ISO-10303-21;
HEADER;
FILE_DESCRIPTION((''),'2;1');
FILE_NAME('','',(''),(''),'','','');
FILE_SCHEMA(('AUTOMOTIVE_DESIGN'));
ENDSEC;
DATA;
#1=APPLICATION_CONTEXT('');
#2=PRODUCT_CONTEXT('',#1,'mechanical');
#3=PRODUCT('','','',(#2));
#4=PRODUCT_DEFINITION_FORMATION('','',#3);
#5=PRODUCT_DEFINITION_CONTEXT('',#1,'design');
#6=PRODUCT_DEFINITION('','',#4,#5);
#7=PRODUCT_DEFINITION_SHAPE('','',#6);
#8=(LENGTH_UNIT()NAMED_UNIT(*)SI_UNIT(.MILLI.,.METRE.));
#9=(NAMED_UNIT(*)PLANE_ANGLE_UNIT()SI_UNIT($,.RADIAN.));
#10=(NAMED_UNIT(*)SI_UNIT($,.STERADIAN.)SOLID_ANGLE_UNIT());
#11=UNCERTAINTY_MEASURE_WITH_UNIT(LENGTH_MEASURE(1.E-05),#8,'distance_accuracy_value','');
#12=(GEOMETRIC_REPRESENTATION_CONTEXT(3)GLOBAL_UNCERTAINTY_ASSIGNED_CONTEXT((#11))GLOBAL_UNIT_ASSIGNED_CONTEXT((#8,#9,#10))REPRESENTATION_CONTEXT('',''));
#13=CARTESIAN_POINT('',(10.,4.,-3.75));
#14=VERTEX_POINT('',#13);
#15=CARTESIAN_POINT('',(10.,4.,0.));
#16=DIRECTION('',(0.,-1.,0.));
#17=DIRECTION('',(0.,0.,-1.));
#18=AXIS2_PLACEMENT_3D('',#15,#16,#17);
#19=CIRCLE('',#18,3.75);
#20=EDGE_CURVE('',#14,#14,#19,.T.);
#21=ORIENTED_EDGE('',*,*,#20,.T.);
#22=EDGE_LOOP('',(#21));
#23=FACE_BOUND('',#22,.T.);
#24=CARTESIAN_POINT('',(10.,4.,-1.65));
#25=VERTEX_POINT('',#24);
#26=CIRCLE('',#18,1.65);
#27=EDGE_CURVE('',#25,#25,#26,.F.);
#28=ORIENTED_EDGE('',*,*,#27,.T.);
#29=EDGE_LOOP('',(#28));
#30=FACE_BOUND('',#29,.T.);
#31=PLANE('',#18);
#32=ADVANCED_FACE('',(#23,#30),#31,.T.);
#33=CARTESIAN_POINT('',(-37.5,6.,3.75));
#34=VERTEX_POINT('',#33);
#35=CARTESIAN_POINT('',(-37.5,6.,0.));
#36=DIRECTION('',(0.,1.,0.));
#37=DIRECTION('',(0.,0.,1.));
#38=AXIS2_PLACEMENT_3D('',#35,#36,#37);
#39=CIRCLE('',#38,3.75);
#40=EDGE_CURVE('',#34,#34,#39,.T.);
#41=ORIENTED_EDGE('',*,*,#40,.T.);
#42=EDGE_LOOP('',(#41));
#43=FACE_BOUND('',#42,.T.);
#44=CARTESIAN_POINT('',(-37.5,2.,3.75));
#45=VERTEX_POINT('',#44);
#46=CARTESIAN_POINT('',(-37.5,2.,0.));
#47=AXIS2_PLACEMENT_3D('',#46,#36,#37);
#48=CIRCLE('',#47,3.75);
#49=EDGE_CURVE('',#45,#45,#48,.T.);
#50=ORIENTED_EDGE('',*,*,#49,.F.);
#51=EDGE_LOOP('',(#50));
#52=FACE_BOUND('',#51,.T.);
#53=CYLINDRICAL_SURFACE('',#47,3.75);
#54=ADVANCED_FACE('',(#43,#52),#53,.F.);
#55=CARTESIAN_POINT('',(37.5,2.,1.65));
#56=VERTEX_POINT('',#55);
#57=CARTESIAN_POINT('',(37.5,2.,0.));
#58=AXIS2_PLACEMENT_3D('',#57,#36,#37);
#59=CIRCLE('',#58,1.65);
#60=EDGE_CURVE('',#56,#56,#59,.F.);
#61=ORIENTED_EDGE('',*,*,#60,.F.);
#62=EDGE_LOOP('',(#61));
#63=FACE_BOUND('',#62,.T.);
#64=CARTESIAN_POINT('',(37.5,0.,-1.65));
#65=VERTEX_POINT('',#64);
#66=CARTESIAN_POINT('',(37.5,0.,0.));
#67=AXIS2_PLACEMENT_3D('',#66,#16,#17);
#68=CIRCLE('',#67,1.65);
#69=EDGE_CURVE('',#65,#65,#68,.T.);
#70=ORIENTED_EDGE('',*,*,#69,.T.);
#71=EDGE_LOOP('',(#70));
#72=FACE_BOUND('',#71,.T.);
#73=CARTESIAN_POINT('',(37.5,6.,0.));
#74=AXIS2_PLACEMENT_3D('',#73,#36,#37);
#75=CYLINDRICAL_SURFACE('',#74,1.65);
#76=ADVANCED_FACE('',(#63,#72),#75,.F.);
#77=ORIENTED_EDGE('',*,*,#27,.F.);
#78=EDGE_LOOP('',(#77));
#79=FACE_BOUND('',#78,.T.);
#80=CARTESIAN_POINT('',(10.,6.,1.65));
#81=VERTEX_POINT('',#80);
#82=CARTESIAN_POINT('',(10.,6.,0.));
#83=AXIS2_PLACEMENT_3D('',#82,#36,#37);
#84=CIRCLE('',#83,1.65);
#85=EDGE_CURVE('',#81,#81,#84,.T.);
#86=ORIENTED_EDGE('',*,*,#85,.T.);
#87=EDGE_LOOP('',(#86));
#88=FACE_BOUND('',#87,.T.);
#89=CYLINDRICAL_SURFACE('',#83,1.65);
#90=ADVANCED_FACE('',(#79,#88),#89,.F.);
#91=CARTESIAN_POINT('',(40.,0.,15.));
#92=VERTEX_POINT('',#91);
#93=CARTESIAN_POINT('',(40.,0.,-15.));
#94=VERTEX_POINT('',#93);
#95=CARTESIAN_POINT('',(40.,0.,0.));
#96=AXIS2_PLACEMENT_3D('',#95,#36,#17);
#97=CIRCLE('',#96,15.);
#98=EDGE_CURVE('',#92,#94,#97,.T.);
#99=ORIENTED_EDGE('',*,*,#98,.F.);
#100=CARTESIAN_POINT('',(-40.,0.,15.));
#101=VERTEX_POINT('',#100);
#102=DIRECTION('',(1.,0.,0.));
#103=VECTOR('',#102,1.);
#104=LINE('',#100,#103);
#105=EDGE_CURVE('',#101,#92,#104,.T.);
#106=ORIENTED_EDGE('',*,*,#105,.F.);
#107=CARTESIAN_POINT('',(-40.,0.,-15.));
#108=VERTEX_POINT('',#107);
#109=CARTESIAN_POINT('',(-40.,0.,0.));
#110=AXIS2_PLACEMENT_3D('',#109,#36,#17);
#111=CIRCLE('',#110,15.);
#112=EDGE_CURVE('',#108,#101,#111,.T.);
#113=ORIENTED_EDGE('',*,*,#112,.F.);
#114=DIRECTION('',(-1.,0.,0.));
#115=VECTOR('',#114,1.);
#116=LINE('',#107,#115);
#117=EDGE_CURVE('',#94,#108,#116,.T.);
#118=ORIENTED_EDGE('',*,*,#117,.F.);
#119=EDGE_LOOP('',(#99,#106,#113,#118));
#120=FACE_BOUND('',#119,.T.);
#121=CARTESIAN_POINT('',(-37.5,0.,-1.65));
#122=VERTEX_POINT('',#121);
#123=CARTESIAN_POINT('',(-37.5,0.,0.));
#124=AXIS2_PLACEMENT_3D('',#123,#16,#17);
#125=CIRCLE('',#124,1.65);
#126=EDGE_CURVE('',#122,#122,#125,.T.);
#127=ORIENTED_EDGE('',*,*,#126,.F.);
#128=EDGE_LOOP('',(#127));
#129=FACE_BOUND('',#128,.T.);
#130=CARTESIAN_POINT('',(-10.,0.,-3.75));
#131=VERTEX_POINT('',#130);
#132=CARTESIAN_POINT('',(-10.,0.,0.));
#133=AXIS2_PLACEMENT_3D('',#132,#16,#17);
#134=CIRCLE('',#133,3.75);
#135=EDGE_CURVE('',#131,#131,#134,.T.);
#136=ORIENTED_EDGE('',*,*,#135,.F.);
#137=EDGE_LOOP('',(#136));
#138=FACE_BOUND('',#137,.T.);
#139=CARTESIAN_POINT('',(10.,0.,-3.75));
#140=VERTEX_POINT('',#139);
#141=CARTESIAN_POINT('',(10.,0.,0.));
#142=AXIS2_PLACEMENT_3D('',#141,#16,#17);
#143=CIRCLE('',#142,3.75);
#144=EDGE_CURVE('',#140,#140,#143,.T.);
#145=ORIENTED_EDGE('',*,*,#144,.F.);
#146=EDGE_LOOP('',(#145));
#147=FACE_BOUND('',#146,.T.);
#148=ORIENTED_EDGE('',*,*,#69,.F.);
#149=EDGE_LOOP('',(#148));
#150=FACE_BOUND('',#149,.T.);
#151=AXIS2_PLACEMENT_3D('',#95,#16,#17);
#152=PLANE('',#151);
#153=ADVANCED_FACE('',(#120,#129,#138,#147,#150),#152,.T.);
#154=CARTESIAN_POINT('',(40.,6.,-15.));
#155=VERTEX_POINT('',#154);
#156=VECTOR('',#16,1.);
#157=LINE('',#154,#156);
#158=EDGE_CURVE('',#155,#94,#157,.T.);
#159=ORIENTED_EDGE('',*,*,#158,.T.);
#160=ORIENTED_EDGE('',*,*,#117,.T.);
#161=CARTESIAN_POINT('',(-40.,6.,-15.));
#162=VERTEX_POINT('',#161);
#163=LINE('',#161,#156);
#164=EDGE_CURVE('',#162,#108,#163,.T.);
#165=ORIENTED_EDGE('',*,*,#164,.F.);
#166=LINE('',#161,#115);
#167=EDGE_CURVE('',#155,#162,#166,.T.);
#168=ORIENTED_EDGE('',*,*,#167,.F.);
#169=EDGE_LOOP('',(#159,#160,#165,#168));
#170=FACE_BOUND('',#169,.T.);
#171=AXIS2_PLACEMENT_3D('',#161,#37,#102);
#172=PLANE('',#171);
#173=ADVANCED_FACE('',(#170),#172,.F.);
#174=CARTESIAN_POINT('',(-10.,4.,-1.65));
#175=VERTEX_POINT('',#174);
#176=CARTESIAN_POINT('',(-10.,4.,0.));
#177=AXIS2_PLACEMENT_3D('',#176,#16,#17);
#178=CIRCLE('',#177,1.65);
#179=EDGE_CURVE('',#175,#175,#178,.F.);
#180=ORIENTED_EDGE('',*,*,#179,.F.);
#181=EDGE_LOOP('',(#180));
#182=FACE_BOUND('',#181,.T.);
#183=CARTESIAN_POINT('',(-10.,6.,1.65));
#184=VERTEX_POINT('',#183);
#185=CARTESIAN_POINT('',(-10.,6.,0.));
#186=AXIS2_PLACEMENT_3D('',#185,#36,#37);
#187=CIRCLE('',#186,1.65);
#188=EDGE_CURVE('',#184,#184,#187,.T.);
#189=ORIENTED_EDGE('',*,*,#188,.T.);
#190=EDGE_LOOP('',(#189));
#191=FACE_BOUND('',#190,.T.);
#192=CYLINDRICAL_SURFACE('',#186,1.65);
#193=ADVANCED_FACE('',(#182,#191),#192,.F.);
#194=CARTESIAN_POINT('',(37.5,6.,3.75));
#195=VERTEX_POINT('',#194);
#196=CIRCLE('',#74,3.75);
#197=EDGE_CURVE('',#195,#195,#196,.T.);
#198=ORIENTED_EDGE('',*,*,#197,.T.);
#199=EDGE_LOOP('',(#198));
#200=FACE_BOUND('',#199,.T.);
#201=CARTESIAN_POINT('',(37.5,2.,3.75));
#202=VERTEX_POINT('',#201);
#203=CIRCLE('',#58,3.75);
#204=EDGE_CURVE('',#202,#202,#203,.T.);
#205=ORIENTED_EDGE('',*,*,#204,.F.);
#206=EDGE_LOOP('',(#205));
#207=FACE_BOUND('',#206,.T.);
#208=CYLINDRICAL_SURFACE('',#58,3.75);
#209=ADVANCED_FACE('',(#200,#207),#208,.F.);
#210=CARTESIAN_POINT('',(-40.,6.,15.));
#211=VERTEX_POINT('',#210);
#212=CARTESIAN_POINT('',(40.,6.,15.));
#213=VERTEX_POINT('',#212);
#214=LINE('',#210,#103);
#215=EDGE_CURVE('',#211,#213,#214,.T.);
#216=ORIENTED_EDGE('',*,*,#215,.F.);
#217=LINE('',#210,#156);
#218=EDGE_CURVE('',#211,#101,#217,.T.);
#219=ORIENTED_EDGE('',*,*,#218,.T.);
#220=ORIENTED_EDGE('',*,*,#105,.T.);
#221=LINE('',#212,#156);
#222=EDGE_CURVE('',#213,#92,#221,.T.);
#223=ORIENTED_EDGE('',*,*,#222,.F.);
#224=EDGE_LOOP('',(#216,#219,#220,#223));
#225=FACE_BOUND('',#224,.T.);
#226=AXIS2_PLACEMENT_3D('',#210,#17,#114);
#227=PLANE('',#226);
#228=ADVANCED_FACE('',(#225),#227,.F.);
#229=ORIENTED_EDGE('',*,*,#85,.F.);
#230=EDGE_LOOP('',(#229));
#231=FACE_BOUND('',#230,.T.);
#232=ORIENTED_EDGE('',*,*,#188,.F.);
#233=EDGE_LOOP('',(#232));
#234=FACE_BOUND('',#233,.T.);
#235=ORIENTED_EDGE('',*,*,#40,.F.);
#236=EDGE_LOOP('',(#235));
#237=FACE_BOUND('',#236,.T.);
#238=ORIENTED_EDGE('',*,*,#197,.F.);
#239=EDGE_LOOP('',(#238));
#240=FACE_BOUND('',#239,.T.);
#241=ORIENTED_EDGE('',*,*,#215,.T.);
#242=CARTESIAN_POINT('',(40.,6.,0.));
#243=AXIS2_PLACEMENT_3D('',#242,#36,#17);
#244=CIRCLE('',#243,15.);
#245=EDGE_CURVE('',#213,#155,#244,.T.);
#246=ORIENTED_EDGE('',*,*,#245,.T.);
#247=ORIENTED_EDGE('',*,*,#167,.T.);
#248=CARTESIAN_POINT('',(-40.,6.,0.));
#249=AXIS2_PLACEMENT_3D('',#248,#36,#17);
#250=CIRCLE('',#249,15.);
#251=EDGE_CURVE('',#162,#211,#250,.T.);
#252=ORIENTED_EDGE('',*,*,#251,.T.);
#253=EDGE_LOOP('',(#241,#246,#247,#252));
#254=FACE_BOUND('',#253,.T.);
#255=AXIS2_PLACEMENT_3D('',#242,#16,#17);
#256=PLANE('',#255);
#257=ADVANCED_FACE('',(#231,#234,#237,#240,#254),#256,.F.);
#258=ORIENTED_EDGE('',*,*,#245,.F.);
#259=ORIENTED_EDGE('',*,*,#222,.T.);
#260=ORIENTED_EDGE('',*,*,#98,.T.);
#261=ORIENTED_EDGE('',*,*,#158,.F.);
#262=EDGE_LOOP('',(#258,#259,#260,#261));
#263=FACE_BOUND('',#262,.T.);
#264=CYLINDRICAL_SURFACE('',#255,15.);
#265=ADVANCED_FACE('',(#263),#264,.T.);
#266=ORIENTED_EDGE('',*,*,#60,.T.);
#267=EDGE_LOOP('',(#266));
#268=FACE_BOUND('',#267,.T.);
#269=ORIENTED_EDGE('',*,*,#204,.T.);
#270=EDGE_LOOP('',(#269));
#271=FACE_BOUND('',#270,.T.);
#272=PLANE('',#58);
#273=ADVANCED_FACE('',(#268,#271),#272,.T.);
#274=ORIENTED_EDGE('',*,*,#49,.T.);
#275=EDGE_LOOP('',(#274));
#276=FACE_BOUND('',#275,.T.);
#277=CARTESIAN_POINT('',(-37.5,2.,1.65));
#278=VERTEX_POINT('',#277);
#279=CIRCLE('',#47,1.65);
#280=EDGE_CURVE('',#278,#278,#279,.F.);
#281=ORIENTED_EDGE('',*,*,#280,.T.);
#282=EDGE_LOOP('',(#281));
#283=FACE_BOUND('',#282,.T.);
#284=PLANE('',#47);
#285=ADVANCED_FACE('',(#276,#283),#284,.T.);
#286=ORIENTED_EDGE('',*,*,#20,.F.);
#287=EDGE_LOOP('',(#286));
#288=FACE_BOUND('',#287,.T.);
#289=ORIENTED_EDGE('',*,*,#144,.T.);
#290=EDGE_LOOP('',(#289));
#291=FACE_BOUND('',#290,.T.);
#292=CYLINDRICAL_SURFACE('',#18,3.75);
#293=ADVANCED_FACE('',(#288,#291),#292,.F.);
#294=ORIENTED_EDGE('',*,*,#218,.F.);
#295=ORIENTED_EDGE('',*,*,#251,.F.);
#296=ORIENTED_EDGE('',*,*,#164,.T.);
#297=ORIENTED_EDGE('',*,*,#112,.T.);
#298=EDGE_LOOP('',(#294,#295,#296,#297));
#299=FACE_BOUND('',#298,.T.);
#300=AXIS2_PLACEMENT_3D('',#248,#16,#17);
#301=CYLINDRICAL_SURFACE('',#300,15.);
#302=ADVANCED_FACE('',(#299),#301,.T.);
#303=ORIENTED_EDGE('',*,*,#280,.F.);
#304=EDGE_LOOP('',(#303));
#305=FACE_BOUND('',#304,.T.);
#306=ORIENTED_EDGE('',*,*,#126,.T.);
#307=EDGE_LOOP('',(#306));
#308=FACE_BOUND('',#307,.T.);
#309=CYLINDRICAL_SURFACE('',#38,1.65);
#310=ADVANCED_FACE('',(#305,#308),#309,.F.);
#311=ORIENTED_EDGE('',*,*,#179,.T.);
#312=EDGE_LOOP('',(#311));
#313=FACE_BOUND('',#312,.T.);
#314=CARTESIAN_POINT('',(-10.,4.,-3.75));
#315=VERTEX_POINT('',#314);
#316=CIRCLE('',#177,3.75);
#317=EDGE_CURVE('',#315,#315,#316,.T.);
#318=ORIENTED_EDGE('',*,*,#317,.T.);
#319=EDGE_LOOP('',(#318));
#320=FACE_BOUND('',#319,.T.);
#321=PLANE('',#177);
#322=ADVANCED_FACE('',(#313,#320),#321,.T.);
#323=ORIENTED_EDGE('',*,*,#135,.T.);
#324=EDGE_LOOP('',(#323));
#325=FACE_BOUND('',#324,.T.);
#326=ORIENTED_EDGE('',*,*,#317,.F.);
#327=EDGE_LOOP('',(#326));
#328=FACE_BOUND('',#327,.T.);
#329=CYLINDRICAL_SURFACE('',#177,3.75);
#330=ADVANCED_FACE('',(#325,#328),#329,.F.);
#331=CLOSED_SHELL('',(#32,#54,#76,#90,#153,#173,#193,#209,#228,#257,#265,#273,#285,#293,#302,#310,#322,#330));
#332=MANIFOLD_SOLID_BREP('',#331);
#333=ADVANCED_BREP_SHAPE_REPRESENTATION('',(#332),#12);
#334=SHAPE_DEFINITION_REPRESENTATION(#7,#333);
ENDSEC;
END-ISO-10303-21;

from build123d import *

# Parameters (mm, degrees)
BOSS_EXTRUDE1_DEPTH = 6
M4_TAPPED_HOLE5_D   = 3.3
LPATTERN3_COUNT     = 2
LPATTERN3_PITCH     = 75
LPATTERN4_COUNT     = 2
LPATTERN4_PITCH     = 20
SKETCH15_R          = 3.75
CUT_EXTRUDE1_DEPTH  = 4
SKETCH16_R          = 3.75
CUT_EXTRUDE3_DEPTH  = 4


with BuildPart() as part:
    # Sketch1 → Boss-Extrude1 (new body)
    with BuildSketch(Plane(origin=(0, 0, 0), x_dir=(1, 0, 0), z_dir=(0, 1, 0))):
        with BuildLine():
            Line((-40, 15), (40, 15))
            ThreePointArc((40, 15), (55, 0), (40, -15))
            Line((40, -15), (-40, -15))
            ThreePointArc((-40, -15), (-55, 0), (-40, 15))
        make_face()
    extrude(amount=BOSS_EXTRUDE1_DEPTH)

    # Sketch4 → M4 Tapped Hole3 (revolve, cut)
    with BuildSketch(Plane(origin=(37.5, 6, 0), x_dir=(0, 0, 1), z_dir=(1, 0, 0))):
        Polygon((0, 0), (0, 12.491420021), (1.65, 11.5), (1.65, 0), align=None)
    m4_tapped_hole3 = revolve(axis=Axis((37.5, 12.35, 0), (0, -1, 0)), mode=Mode.SUBTRACT)

    # M4 Tapped Hole5 (through all)
    with Locations(Plane(origin=(10, 6, 0), x_dir=(0, 0, 1), z_dir=(0, 1, 0))):
        with Locations((0, 0)):
            m4_tapped_hole5 = Hole(M4_TAPPED_HOLE5_D / 2)

    # LPattern3: M4 Tapped Hole3 ×2
    with Locations(*[(-i * LPATTERN3_PITCH, 0, 0) for i in range(1, LPATTERN3_COUNT)]):
        add(m4_tapped_hole3, mode=Mode.SUBTRACT)

    # LPattern4: M4 Tapped Hole5 ×2
    with Locations(*[(-i * LPATTERN4_PITCH, 0, 0) for i in range(1, LPATTERN4_COUNT)]):
        add(m4_tapped_hole5, mode=Mode.SUBTRACT)

    # Sketch15 → Cut-Extrude1 (cut)
    with BuildSketch(Plane(origin=(0, 6, 0), x_dir=(1, 0, 0), z_dir=(0, 1, 0))):
        with Locations(Location((37.5, 0, 0), (0, 0, 270))):
            Circle(SKETCH15_R)
        with Locations(Location((-37.5, 0, 0), (0, 0, 270))):
            Circle(SKETCH15_R)
    extrude(amount=-CUT_EXTRUDE1_DEPTH, mode=Mode.SUBTRACT)

    # Sketch16 → Cut-Extrude3 (cut)
    with BuildSketch(Plane.XZ):
        with Locations(Location((-10, 0, 0), (0, 0, 270))):
            Circle(SKETCH16_R)
        with Locations(Location((10, 0, 0), (0, 0, 270))):
            Circle(SKETCH16_R)
    extrude(amount=-CUT_EXTRUDE3_DEPTH, mode=Mode.SUBTRACT)


solid = part.part
